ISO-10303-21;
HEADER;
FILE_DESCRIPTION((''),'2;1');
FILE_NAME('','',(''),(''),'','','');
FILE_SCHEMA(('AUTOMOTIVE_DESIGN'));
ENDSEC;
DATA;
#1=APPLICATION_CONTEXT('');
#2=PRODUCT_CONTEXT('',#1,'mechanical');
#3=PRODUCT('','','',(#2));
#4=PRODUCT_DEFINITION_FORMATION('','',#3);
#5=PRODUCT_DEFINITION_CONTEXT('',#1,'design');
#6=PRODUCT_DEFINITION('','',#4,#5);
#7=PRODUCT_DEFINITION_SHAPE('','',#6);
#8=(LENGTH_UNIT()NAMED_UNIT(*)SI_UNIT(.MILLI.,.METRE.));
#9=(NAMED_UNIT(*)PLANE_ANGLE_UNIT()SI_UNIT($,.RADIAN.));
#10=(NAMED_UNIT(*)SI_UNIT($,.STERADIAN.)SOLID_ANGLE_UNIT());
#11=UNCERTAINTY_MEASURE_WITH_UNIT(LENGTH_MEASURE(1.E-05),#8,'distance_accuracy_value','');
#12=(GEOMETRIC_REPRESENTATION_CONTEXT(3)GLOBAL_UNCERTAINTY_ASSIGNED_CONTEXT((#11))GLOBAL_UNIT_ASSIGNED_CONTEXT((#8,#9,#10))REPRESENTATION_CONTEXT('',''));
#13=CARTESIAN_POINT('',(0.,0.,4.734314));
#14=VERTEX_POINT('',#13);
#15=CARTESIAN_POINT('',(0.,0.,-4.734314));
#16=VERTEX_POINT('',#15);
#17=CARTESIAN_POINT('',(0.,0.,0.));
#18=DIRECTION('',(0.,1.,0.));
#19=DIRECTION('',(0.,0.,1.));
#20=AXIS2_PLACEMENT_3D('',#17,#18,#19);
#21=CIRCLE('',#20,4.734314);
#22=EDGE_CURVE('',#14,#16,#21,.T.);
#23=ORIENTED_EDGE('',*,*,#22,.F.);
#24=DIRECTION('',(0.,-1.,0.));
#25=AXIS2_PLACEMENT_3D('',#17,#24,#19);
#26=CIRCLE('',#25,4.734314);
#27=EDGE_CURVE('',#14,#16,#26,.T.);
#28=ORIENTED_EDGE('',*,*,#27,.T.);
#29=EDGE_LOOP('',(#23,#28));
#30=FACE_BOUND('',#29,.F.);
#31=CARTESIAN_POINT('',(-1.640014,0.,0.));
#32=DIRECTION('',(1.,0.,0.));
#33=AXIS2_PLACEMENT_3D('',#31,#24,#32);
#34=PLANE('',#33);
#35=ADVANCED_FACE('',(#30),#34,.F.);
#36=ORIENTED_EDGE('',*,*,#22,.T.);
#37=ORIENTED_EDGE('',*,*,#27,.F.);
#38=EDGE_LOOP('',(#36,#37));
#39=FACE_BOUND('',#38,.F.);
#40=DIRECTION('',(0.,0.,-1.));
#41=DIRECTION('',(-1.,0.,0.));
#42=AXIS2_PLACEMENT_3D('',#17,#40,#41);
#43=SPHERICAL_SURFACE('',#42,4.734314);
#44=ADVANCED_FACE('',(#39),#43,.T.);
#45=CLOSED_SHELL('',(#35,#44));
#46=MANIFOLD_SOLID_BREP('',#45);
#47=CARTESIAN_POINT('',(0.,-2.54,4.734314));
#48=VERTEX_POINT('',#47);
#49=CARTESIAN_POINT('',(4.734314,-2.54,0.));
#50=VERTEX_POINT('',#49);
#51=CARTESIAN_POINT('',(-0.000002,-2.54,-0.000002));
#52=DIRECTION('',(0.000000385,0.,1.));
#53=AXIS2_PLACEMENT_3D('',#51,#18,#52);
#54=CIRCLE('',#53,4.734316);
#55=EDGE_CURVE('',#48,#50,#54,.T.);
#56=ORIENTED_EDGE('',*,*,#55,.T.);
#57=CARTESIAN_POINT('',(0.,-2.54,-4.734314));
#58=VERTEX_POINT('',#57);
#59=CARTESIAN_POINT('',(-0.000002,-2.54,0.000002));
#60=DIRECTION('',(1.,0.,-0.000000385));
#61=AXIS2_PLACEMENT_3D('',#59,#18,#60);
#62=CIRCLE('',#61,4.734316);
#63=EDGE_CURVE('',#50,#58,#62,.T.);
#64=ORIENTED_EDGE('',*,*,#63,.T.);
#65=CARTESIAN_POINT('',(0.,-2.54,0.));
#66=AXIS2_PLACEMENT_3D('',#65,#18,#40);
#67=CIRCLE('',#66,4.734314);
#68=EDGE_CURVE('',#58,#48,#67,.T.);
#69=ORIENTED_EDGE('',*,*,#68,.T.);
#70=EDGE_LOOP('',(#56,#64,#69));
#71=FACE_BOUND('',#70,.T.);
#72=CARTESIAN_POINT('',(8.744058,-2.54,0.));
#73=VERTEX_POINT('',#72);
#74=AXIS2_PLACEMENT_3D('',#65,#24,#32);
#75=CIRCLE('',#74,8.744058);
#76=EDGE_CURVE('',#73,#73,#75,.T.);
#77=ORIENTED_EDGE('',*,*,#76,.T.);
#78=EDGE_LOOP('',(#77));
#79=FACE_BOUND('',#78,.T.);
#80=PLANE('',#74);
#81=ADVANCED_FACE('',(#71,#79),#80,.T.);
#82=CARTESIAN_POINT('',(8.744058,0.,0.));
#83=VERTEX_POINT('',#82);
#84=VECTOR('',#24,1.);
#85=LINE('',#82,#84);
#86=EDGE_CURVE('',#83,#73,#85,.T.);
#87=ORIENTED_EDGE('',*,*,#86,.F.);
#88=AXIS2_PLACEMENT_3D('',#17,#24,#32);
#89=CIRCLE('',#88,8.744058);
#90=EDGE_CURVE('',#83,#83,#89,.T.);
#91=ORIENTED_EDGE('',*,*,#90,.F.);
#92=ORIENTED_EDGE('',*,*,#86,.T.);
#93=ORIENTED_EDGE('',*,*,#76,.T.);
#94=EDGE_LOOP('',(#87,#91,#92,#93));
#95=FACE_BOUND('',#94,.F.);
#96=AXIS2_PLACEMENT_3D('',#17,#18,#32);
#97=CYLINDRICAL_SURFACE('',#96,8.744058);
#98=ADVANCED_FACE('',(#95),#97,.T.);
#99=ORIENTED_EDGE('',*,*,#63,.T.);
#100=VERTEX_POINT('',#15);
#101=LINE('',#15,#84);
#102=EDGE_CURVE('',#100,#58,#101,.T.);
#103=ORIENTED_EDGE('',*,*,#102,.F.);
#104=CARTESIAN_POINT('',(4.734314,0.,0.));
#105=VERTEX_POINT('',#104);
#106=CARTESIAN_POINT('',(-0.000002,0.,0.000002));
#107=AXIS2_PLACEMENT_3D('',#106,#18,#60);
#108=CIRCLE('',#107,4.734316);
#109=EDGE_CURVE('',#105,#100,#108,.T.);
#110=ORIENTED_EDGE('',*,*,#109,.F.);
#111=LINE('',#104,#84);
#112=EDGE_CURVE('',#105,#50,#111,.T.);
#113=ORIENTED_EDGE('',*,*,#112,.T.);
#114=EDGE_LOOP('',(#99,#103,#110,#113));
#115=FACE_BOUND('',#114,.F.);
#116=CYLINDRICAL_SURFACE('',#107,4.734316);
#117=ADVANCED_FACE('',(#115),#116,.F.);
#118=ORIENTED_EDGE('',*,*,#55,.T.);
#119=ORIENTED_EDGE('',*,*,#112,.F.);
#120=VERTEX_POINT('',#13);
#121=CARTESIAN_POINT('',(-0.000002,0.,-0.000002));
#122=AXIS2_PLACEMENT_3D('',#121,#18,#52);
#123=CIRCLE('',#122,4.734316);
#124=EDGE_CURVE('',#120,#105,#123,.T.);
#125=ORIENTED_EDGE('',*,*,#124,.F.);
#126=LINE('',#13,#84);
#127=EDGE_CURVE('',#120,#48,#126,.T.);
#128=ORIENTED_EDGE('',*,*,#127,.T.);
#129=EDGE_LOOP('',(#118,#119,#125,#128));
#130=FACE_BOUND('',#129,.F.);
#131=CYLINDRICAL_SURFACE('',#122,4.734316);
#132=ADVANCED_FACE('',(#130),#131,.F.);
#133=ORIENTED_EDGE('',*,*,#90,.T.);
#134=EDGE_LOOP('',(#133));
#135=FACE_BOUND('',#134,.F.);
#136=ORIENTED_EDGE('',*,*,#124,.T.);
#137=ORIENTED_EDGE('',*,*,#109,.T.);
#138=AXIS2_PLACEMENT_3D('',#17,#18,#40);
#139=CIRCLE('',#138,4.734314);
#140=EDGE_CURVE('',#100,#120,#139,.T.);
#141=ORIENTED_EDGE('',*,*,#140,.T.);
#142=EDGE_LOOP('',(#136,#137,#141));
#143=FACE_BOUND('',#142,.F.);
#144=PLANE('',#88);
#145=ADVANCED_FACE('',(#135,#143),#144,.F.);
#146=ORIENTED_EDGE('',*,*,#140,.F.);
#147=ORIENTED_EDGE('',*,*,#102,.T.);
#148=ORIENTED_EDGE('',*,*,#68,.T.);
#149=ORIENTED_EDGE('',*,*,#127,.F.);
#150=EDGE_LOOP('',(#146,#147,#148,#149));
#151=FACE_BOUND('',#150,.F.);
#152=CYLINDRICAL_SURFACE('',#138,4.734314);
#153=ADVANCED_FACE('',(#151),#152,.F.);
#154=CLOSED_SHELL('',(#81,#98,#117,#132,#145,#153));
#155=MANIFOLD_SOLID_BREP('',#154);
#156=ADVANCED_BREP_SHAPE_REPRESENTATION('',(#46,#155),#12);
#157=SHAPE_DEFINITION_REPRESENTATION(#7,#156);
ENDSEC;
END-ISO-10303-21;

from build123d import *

# Parameters (mm, degrees)
F0_R     = 8.744058
F1_DEPTH = 2.54
F2_ANGLE = -180


with BuildPart() as f1:
    # F0 (on Front) → F1 (new body)
    with BuildSketch(Plane.XZ):
        Circle(F0_R)
        with BuildLine():
            ThreePointArc((0, 4.734314), (3.347665, 3.347665), (4.734314, 0))
            ThreePointArc((4.734314, 0), (3.347665, -3.347665), (0, -4.734314))
            ThreePointArc((0, -4.734314), (-4.734314, 0), (0, 4.734314))
        make_face(mode=Mode.SUBTRACT)
    extrude(amount=F1_DEPTH)


with BuildPart() as f2:
    # F0 (on Front) → F2 (revolve)
    with BuildSketch(Plane.XZ):
        with BuildLine():
            Line((0, -4.734314), (0, 4.734314))
            ThreePointArc((0, 4.734314), (-4.734314, 0), (0, -4.734314))
        make_face()
    revolve(axis=Axis((0, 0, 0), (0, 0, -1)), revolution_arc=F2_ANGLE)


solid = Compound([f1.part, f2.part])
